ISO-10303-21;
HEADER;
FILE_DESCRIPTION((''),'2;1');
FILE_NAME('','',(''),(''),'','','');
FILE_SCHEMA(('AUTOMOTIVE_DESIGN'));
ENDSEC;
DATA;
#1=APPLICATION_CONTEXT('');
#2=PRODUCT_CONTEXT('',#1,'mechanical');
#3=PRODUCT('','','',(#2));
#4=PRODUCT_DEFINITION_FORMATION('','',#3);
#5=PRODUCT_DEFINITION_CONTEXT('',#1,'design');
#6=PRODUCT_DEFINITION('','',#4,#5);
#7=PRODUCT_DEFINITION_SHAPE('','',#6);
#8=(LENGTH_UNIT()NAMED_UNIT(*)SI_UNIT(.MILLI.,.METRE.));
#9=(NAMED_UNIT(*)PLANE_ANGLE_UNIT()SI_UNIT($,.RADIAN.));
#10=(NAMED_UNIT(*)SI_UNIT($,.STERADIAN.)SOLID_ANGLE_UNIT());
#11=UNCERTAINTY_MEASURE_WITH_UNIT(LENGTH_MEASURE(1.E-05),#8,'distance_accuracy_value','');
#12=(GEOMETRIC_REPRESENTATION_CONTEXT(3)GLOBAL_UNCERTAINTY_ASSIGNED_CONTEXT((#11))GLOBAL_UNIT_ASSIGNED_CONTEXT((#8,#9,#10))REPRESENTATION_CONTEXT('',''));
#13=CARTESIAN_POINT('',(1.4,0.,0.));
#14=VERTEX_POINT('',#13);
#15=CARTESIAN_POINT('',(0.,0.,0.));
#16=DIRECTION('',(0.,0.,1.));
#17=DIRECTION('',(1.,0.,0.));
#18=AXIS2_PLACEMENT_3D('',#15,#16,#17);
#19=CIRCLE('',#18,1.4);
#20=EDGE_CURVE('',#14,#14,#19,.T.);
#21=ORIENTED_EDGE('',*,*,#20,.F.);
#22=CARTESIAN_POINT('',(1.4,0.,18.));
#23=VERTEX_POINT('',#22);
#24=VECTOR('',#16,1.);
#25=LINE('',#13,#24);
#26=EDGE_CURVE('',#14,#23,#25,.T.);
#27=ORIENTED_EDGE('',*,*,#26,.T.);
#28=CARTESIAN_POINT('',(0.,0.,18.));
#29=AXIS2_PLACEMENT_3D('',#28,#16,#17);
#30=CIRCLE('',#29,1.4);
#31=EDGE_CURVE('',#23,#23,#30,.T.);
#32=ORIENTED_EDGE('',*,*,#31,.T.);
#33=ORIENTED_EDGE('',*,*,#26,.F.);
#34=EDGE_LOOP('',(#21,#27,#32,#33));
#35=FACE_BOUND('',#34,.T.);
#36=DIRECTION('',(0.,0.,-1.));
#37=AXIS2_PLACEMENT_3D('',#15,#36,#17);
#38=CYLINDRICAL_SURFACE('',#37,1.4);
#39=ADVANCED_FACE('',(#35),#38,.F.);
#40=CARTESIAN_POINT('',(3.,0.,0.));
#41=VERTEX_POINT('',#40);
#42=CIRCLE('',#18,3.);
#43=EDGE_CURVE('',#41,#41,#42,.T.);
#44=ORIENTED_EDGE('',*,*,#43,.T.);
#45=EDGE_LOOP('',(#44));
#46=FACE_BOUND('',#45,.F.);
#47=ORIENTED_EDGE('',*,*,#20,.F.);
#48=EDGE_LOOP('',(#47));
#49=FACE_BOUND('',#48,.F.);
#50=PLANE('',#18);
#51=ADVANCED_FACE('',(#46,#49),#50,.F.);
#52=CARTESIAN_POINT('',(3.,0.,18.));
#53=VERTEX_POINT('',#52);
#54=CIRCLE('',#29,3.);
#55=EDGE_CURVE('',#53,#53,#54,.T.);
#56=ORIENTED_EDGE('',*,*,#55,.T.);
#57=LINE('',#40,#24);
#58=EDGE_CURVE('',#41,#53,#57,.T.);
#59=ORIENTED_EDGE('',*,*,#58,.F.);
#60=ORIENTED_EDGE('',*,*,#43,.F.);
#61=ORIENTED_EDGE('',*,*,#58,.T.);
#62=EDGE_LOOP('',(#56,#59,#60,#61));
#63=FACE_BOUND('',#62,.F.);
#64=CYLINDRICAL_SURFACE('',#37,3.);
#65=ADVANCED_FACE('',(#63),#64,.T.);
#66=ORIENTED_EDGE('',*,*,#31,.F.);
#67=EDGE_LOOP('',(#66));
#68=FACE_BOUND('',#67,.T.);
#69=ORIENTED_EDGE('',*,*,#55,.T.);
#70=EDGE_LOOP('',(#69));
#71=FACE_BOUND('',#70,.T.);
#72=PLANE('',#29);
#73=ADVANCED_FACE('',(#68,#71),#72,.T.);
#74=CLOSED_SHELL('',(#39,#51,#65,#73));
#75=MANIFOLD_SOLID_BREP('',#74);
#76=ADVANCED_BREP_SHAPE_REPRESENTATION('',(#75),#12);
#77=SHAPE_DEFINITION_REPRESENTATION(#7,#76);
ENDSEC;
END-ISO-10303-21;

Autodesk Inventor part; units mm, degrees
ref_plane "YZ Plane" through (0, 0, 0) normal (1, 0, 0) x (0, 1, 0)
ref_plane "XZ Plane" through (0, 0, 0) normal (0, 1, 0) x (-1, 0, 0)
ref_plane "XY Plane" through (0, 0, 0) normal (0, 0, 1) x (1, 0, 0)
sketch "スケッチ1" plane through (0, 0, 0) normal (0, 0, 1) x (1, 0, 0)
  circle A0 centre (0, 0) radius 3
  circle A1 centre (0, 0) radius 1.4
  dimension "d0" = 6
  dimension "d1" = 2.8
extrude "押し出し1" add sketch "スケッチ1" along normal blind 18
properties part number "12mm" material "アルミニウム"
